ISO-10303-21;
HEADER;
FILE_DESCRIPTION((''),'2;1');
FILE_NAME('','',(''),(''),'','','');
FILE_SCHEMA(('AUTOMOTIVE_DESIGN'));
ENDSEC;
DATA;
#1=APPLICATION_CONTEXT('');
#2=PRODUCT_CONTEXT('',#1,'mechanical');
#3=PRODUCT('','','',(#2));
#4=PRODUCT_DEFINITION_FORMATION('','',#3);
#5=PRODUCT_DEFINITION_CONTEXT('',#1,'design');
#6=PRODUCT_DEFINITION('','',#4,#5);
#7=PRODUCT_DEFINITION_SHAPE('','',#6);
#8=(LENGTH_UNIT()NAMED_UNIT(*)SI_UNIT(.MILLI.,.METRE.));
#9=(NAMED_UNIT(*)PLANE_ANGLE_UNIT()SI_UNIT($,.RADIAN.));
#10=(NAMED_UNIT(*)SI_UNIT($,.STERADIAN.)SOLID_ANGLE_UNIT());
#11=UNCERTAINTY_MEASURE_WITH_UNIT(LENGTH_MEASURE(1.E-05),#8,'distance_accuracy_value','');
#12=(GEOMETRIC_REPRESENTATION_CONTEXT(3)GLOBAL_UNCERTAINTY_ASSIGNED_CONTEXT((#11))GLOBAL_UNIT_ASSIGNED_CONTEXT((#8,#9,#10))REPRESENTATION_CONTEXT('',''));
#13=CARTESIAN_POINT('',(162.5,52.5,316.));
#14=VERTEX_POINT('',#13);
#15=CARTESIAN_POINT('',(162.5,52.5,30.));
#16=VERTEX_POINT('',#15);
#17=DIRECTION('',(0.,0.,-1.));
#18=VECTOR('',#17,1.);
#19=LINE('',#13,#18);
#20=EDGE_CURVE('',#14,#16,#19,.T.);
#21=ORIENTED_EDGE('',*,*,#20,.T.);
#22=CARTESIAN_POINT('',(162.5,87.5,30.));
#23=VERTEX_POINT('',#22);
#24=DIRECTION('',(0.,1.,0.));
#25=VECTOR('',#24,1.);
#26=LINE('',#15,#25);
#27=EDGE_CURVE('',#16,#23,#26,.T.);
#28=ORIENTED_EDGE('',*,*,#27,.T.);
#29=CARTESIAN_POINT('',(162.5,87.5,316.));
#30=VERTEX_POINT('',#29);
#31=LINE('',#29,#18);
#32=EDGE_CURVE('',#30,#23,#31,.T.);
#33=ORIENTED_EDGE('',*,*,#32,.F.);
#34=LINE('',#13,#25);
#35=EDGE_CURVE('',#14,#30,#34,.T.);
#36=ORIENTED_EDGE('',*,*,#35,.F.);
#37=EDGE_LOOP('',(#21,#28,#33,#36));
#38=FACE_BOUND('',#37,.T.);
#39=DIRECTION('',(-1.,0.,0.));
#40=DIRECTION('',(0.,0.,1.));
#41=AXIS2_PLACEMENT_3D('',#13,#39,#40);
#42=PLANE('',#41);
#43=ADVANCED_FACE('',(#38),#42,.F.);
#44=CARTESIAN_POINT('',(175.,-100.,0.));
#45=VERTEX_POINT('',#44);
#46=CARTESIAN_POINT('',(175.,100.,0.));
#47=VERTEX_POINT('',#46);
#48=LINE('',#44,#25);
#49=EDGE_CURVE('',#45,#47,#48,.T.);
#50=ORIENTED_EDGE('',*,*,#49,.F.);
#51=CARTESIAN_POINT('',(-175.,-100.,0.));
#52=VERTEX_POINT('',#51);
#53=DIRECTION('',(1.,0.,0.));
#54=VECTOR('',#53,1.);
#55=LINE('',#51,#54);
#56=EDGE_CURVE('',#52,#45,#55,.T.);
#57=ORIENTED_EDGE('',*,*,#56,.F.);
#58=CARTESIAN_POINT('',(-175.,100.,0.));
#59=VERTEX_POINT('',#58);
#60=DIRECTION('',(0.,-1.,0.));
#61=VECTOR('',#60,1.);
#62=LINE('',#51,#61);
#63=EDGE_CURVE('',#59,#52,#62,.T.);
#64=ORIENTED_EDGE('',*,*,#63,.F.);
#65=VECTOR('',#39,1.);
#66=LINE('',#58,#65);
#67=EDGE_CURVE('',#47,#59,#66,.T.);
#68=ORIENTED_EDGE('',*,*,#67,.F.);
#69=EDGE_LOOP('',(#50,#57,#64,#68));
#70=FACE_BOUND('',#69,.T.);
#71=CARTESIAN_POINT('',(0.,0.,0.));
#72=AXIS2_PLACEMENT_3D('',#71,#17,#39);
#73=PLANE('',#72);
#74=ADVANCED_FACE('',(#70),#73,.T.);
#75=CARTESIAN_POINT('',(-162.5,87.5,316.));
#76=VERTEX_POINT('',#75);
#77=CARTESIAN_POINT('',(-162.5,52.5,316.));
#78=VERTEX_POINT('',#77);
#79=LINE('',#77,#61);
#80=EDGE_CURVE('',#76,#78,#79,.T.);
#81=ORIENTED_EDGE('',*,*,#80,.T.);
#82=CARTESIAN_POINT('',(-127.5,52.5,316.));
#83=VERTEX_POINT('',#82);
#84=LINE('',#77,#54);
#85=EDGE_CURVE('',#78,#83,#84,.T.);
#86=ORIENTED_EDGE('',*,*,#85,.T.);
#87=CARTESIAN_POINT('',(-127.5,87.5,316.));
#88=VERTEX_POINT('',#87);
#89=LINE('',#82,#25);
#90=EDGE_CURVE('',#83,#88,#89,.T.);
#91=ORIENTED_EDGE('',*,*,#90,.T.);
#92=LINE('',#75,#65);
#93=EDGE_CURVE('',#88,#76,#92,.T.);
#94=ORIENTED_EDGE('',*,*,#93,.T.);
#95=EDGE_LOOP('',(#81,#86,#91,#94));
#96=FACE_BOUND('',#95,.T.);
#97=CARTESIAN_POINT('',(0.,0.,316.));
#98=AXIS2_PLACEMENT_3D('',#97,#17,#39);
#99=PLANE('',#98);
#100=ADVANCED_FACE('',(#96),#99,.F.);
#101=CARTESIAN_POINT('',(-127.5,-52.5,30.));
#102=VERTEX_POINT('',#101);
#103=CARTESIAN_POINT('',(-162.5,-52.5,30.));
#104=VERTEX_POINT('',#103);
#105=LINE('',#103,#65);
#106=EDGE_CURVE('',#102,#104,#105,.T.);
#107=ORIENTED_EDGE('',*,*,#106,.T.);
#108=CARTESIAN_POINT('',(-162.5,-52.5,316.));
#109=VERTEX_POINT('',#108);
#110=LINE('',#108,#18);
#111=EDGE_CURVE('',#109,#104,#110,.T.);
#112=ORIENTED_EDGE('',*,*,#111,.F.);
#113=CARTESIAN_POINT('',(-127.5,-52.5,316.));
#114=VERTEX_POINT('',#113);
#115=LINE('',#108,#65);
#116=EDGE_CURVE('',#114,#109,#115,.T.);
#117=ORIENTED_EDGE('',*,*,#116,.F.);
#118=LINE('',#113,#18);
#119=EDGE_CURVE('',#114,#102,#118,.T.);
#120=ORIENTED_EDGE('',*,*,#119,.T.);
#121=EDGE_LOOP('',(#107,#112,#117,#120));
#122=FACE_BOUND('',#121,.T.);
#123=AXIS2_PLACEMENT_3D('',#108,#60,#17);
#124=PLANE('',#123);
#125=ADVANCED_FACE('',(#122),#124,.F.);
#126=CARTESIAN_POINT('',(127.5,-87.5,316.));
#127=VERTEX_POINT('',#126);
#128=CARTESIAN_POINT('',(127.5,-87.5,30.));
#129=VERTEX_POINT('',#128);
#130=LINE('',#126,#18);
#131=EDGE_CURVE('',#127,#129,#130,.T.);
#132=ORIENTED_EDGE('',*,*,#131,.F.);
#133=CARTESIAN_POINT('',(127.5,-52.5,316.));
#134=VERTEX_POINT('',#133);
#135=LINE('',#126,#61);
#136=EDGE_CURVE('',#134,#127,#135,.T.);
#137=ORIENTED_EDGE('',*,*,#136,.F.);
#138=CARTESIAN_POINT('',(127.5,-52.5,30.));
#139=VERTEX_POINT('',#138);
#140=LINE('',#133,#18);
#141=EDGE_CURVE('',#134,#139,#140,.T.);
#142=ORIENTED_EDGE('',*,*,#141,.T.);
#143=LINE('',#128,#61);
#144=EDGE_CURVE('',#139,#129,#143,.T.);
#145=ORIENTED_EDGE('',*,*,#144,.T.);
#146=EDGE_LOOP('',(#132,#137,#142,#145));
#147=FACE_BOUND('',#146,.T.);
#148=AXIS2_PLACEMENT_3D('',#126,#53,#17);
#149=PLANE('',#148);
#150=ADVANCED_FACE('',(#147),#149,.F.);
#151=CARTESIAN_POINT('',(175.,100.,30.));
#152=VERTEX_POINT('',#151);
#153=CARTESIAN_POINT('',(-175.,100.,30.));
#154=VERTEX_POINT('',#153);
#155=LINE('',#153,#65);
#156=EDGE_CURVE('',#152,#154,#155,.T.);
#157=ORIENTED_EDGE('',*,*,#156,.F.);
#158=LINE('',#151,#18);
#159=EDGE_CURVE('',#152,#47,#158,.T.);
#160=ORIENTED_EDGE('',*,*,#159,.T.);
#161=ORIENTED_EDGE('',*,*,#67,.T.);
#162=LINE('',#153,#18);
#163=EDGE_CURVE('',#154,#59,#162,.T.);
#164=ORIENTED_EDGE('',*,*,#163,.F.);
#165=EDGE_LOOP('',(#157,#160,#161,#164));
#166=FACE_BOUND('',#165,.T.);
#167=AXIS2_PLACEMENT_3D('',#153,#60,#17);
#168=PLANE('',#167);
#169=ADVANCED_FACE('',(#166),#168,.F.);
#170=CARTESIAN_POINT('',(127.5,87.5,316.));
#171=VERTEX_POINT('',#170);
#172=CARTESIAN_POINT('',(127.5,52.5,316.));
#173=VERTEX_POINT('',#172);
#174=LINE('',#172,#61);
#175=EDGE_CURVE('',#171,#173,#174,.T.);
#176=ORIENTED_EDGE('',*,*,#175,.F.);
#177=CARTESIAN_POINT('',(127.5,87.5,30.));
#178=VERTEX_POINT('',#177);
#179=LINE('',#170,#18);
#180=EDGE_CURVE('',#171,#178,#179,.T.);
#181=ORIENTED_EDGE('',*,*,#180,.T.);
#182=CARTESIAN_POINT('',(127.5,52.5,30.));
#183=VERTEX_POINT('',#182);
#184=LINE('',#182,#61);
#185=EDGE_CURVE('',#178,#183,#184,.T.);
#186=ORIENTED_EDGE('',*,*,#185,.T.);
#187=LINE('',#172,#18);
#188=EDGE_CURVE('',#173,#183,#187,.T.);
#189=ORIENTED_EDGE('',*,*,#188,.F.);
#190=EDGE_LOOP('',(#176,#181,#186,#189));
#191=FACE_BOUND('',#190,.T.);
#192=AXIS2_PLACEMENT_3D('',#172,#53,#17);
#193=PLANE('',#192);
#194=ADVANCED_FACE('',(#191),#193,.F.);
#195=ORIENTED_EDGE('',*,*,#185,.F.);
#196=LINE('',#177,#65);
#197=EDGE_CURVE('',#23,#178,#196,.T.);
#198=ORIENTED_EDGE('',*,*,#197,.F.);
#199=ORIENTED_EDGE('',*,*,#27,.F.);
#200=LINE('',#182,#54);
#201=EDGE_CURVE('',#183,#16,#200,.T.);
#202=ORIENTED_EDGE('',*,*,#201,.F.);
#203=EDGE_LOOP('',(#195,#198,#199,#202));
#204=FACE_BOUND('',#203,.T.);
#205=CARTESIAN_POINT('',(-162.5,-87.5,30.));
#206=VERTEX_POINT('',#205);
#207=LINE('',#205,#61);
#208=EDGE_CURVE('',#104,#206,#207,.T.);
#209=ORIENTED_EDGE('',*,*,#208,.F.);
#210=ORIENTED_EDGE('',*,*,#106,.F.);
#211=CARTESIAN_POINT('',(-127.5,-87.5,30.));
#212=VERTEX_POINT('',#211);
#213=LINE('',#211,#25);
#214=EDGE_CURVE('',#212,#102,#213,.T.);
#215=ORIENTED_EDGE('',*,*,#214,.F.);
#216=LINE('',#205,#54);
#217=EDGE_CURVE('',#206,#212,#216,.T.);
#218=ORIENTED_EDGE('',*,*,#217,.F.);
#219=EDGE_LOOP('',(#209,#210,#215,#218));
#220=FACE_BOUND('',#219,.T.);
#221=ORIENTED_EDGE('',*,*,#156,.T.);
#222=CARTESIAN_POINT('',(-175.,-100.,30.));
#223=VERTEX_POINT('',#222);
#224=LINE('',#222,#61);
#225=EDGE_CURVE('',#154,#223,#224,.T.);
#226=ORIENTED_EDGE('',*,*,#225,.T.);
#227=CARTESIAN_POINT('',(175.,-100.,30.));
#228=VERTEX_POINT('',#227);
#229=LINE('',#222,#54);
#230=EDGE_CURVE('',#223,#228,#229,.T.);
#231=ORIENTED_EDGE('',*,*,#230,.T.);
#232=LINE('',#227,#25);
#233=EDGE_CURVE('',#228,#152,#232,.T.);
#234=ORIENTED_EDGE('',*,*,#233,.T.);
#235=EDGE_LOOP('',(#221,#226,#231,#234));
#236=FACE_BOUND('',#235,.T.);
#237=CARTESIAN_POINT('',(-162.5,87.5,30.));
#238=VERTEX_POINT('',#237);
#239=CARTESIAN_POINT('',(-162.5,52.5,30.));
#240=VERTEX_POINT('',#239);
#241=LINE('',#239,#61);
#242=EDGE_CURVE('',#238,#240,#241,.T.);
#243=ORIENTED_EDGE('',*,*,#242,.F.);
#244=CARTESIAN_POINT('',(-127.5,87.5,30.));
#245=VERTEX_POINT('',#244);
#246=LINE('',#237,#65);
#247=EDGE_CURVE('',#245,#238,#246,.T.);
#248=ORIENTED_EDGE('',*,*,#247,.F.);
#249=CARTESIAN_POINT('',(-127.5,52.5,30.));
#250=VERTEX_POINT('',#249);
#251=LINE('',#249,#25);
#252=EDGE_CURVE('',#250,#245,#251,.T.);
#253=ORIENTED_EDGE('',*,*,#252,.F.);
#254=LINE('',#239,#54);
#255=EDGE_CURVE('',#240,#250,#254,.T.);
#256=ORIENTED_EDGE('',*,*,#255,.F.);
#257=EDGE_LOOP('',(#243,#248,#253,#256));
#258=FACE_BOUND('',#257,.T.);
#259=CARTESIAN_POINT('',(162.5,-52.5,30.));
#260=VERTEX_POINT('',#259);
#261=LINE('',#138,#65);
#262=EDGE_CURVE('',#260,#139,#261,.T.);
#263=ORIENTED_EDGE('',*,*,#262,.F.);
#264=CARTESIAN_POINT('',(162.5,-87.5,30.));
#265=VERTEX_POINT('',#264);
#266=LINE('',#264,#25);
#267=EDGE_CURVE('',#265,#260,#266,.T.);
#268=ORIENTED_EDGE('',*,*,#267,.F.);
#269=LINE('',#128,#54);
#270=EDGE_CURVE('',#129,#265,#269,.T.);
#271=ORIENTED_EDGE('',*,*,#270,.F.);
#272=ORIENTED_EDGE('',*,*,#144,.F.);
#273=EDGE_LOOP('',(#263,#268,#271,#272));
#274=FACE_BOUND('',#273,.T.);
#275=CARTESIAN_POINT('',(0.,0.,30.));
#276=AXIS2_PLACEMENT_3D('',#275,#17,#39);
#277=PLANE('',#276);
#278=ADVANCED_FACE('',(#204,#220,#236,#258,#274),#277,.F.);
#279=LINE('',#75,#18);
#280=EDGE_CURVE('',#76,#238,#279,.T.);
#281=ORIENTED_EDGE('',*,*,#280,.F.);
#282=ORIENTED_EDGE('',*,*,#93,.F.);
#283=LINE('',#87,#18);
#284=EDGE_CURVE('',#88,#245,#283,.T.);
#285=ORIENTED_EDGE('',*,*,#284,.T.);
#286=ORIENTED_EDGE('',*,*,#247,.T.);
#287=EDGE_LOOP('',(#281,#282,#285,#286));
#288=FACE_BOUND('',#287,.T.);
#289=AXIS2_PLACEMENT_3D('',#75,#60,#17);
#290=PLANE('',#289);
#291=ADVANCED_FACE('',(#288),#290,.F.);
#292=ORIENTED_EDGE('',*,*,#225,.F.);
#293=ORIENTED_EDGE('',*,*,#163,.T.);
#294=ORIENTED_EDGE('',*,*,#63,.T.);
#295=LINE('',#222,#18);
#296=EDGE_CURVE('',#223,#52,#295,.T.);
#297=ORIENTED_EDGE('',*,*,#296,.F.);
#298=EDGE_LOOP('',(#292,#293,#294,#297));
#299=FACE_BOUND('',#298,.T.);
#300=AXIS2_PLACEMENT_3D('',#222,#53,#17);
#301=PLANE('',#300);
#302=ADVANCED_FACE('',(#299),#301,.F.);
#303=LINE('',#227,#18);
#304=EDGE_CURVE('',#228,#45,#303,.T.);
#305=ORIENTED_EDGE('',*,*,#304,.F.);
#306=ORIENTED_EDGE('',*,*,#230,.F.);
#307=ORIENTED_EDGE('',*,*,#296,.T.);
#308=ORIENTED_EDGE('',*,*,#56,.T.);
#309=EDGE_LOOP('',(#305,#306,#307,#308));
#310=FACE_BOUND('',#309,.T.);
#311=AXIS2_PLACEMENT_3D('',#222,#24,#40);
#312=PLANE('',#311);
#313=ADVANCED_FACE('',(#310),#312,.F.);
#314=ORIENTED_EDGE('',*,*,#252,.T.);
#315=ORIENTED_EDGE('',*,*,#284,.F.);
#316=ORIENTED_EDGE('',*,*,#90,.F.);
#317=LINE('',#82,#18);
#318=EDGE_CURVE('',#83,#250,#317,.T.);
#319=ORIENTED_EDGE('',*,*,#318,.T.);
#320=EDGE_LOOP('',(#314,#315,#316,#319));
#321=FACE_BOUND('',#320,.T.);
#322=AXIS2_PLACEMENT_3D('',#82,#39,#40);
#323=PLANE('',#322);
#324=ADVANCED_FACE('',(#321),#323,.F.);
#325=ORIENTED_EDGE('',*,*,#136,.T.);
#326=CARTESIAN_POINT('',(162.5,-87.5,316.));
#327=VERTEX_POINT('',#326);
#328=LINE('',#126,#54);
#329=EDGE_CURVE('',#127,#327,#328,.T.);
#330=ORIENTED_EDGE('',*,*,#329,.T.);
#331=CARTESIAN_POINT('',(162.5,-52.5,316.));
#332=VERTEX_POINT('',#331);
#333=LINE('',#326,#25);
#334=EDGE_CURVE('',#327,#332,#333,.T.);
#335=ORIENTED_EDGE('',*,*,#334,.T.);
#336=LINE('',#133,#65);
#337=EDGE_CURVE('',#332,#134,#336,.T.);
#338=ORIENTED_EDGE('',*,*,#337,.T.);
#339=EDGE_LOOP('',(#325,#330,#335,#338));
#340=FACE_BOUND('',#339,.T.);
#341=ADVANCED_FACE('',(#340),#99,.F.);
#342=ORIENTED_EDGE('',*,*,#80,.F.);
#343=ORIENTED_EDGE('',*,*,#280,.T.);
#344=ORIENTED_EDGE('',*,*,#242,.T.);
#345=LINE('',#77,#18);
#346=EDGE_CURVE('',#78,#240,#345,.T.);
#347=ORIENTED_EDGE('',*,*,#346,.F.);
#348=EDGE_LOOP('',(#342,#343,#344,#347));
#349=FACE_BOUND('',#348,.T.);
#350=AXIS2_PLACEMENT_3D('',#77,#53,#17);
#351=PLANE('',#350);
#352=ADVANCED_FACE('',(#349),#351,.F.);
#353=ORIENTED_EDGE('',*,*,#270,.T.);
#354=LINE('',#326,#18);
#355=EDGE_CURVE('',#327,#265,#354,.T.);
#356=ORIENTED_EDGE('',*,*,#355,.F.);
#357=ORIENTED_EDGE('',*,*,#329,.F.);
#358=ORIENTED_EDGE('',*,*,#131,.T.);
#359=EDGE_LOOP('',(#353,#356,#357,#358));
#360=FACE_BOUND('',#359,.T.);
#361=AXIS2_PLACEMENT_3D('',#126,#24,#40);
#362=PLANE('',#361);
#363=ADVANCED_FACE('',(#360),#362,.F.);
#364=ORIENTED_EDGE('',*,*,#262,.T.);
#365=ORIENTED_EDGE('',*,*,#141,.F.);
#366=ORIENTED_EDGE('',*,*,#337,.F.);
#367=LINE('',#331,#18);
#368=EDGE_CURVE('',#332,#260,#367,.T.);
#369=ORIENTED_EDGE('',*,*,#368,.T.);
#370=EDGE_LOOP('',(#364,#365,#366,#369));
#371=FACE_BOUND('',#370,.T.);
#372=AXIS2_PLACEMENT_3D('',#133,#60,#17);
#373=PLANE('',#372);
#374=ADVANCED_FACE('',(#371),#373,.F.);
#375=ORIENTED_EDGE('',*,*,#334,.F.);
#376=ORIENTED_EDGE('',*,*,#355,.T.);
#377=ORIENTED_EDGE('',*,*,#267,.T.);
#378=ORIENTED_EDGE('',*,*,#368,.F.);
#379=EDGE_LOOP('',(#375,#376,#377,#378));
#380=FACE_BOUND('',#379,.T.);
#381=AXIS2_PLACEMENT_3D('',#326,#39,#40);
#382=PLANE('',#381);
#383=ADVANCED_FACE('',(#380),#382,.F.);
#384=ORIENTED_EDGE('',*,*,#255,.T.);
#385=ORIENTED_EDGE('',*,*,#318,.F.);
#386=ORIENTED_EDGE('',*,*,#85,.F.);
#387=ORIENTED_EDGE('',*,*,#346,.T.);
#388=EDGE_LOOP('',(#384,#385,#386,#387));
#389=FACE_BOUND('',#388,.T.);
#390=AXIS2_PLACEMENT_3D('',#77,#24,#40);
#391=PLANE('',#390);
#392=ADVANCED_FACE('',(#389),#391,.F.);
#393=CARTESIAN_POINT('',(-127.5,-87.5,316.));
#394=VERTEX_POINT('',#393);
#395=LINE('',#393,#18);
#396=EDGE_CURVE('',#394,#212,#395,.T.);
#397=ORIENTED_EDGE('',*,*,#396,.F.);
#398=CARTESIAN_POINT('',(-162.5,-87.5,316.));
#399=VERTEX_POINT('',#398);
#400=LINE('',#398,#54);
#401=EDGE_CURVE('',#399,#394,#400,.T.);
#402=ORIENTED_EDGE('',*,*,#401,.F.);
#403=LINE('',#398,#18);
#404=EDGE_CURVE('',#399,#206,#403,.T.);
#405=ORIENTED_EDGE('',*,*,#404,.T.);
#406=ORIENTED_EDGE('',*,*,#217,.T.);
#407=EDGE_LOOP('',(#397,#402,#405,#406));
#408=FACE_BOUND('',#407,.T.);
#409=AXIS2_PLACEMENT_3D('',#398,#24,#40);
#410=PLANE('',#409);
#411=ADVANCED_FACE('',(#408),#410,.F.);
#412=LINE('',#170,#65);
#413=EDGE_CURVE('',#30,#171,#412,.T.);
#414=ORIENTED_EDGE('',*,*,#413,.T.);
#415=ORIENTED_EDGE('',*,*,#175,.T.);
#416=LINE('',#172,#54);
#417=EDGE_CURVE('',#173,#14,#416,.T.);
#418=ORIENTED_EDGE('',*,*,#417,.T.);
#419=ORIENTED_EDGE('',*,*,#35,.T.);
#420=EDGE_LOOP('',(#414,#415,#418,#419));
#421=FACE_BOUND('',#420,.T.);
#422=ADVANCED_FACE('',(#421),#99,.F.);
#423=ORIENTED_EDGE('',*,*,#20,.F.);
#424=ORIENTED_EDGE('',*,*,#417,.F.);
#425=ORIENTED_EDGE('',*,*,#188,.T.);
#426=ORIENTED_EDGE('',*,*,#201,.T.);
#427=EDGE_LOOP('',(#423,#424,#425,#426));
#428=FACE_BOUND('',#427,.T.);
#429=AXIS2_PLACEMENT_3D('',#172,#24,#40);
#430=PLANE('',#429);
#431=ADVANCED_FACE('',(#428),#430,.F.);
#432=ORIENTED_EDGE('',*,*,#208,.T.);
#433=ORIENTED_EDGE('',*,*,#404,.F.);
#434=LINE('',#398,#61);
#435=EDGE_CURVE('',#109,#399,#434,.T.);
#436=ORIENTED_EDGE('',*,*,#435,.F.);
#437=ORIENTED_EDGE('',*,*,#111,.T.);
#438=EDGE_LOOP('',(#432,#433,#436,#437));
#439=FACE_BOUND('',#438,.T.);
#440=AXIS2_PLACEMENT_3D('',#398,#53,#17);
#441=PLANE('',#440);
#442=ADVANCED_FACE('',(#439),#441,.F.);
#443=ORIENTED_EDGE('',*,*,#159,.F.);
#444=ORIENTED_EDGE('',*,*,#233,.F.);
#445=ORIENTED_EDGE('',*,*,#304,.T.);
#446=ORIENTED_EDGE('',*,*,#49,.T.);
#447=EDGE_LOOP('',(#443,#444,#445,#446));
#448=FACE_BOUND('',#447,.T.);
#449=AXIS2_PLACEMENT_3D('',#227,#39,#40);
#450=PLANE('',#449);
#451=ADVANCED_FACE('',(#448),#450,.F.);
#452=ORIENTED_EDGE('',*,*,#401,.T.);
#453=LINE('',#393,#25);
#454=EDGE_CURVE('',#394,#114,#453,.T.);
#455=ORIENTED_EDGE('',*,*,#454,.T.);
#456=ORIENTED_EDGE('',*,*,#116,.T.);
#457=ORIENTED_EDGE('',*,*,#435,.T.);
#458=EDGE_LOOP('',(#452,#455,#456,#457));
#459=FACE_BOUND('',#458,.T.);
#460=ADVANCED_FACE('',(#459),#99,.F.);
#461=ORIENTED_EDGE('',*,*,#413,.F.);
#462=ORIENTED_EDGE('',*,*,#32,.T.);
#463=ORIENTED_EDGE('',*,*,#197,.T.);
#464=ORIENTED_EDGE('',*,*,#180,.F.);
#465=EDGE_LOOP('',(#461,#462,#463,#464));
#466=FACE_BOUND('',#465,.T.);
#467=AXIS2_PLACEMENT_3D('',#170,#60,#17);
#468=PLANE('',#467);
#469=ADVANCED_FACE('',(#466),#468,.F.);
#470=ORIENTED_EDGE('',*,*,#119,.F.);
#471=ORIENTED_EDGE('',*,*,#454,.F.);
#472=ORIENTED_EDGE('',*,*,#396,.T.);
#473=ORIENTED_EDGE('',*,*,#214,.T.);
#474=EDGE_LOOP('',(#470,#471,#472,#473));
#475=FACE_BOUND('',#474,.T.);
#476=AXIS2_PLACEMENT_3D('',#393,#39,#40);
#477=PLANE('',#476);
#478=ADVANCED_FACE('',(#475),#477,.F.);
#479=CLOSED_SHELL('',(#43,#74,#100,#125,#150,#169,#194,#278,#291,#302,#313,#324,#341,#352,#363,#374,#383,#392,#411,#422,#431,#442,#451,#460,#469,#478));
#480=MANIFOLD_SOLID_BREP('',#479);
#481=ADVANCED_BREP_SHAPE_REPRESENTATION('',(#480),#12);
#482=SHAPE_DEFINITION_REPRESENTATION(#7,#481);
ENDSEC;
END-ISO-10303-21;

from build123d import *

# Parameters (mm, degrees)
SKETCH_1_W      = 350
SKETCH_1_H      = 200
EXTRUDE_1_DEPTH = 30
SKETCH_2_W      = 35
SKETCH_2_H      = 35
EXTRUDE_2_DEPTH = 286


with BuildPart() as part:
    # 草图1 → 凸台-拉伸1 (new body)
    with BuildSketch(Plane.XY):
        Rectangle(SKETCH_1_W, SKETCH_1_H)
    extrude(amount=EXTRUDE_1_DEPTH)

    # 草图2 → 凸台-拉伸2 (add)
    with BuildSketch(Plane.XY.offset(30)):
        with Locations((145, 70)):
            Rectangle(SKETCH_2_W, SKETCH_2_H)
        with Locations((145, -70)):
            Rectangle(SKETCH_2_W, SKETCH_2_H)
        with Locations((-145, -70)):
            Rectangle(SKETCH_2_W, SKETCH_2_H)
        with Locations((-145, 70)):
            Rectangle(SKETCH_2_W, SKETCH_2_H)
    extrude(amount=EXTRUDE_2_DEPTH)


solid = part.part
